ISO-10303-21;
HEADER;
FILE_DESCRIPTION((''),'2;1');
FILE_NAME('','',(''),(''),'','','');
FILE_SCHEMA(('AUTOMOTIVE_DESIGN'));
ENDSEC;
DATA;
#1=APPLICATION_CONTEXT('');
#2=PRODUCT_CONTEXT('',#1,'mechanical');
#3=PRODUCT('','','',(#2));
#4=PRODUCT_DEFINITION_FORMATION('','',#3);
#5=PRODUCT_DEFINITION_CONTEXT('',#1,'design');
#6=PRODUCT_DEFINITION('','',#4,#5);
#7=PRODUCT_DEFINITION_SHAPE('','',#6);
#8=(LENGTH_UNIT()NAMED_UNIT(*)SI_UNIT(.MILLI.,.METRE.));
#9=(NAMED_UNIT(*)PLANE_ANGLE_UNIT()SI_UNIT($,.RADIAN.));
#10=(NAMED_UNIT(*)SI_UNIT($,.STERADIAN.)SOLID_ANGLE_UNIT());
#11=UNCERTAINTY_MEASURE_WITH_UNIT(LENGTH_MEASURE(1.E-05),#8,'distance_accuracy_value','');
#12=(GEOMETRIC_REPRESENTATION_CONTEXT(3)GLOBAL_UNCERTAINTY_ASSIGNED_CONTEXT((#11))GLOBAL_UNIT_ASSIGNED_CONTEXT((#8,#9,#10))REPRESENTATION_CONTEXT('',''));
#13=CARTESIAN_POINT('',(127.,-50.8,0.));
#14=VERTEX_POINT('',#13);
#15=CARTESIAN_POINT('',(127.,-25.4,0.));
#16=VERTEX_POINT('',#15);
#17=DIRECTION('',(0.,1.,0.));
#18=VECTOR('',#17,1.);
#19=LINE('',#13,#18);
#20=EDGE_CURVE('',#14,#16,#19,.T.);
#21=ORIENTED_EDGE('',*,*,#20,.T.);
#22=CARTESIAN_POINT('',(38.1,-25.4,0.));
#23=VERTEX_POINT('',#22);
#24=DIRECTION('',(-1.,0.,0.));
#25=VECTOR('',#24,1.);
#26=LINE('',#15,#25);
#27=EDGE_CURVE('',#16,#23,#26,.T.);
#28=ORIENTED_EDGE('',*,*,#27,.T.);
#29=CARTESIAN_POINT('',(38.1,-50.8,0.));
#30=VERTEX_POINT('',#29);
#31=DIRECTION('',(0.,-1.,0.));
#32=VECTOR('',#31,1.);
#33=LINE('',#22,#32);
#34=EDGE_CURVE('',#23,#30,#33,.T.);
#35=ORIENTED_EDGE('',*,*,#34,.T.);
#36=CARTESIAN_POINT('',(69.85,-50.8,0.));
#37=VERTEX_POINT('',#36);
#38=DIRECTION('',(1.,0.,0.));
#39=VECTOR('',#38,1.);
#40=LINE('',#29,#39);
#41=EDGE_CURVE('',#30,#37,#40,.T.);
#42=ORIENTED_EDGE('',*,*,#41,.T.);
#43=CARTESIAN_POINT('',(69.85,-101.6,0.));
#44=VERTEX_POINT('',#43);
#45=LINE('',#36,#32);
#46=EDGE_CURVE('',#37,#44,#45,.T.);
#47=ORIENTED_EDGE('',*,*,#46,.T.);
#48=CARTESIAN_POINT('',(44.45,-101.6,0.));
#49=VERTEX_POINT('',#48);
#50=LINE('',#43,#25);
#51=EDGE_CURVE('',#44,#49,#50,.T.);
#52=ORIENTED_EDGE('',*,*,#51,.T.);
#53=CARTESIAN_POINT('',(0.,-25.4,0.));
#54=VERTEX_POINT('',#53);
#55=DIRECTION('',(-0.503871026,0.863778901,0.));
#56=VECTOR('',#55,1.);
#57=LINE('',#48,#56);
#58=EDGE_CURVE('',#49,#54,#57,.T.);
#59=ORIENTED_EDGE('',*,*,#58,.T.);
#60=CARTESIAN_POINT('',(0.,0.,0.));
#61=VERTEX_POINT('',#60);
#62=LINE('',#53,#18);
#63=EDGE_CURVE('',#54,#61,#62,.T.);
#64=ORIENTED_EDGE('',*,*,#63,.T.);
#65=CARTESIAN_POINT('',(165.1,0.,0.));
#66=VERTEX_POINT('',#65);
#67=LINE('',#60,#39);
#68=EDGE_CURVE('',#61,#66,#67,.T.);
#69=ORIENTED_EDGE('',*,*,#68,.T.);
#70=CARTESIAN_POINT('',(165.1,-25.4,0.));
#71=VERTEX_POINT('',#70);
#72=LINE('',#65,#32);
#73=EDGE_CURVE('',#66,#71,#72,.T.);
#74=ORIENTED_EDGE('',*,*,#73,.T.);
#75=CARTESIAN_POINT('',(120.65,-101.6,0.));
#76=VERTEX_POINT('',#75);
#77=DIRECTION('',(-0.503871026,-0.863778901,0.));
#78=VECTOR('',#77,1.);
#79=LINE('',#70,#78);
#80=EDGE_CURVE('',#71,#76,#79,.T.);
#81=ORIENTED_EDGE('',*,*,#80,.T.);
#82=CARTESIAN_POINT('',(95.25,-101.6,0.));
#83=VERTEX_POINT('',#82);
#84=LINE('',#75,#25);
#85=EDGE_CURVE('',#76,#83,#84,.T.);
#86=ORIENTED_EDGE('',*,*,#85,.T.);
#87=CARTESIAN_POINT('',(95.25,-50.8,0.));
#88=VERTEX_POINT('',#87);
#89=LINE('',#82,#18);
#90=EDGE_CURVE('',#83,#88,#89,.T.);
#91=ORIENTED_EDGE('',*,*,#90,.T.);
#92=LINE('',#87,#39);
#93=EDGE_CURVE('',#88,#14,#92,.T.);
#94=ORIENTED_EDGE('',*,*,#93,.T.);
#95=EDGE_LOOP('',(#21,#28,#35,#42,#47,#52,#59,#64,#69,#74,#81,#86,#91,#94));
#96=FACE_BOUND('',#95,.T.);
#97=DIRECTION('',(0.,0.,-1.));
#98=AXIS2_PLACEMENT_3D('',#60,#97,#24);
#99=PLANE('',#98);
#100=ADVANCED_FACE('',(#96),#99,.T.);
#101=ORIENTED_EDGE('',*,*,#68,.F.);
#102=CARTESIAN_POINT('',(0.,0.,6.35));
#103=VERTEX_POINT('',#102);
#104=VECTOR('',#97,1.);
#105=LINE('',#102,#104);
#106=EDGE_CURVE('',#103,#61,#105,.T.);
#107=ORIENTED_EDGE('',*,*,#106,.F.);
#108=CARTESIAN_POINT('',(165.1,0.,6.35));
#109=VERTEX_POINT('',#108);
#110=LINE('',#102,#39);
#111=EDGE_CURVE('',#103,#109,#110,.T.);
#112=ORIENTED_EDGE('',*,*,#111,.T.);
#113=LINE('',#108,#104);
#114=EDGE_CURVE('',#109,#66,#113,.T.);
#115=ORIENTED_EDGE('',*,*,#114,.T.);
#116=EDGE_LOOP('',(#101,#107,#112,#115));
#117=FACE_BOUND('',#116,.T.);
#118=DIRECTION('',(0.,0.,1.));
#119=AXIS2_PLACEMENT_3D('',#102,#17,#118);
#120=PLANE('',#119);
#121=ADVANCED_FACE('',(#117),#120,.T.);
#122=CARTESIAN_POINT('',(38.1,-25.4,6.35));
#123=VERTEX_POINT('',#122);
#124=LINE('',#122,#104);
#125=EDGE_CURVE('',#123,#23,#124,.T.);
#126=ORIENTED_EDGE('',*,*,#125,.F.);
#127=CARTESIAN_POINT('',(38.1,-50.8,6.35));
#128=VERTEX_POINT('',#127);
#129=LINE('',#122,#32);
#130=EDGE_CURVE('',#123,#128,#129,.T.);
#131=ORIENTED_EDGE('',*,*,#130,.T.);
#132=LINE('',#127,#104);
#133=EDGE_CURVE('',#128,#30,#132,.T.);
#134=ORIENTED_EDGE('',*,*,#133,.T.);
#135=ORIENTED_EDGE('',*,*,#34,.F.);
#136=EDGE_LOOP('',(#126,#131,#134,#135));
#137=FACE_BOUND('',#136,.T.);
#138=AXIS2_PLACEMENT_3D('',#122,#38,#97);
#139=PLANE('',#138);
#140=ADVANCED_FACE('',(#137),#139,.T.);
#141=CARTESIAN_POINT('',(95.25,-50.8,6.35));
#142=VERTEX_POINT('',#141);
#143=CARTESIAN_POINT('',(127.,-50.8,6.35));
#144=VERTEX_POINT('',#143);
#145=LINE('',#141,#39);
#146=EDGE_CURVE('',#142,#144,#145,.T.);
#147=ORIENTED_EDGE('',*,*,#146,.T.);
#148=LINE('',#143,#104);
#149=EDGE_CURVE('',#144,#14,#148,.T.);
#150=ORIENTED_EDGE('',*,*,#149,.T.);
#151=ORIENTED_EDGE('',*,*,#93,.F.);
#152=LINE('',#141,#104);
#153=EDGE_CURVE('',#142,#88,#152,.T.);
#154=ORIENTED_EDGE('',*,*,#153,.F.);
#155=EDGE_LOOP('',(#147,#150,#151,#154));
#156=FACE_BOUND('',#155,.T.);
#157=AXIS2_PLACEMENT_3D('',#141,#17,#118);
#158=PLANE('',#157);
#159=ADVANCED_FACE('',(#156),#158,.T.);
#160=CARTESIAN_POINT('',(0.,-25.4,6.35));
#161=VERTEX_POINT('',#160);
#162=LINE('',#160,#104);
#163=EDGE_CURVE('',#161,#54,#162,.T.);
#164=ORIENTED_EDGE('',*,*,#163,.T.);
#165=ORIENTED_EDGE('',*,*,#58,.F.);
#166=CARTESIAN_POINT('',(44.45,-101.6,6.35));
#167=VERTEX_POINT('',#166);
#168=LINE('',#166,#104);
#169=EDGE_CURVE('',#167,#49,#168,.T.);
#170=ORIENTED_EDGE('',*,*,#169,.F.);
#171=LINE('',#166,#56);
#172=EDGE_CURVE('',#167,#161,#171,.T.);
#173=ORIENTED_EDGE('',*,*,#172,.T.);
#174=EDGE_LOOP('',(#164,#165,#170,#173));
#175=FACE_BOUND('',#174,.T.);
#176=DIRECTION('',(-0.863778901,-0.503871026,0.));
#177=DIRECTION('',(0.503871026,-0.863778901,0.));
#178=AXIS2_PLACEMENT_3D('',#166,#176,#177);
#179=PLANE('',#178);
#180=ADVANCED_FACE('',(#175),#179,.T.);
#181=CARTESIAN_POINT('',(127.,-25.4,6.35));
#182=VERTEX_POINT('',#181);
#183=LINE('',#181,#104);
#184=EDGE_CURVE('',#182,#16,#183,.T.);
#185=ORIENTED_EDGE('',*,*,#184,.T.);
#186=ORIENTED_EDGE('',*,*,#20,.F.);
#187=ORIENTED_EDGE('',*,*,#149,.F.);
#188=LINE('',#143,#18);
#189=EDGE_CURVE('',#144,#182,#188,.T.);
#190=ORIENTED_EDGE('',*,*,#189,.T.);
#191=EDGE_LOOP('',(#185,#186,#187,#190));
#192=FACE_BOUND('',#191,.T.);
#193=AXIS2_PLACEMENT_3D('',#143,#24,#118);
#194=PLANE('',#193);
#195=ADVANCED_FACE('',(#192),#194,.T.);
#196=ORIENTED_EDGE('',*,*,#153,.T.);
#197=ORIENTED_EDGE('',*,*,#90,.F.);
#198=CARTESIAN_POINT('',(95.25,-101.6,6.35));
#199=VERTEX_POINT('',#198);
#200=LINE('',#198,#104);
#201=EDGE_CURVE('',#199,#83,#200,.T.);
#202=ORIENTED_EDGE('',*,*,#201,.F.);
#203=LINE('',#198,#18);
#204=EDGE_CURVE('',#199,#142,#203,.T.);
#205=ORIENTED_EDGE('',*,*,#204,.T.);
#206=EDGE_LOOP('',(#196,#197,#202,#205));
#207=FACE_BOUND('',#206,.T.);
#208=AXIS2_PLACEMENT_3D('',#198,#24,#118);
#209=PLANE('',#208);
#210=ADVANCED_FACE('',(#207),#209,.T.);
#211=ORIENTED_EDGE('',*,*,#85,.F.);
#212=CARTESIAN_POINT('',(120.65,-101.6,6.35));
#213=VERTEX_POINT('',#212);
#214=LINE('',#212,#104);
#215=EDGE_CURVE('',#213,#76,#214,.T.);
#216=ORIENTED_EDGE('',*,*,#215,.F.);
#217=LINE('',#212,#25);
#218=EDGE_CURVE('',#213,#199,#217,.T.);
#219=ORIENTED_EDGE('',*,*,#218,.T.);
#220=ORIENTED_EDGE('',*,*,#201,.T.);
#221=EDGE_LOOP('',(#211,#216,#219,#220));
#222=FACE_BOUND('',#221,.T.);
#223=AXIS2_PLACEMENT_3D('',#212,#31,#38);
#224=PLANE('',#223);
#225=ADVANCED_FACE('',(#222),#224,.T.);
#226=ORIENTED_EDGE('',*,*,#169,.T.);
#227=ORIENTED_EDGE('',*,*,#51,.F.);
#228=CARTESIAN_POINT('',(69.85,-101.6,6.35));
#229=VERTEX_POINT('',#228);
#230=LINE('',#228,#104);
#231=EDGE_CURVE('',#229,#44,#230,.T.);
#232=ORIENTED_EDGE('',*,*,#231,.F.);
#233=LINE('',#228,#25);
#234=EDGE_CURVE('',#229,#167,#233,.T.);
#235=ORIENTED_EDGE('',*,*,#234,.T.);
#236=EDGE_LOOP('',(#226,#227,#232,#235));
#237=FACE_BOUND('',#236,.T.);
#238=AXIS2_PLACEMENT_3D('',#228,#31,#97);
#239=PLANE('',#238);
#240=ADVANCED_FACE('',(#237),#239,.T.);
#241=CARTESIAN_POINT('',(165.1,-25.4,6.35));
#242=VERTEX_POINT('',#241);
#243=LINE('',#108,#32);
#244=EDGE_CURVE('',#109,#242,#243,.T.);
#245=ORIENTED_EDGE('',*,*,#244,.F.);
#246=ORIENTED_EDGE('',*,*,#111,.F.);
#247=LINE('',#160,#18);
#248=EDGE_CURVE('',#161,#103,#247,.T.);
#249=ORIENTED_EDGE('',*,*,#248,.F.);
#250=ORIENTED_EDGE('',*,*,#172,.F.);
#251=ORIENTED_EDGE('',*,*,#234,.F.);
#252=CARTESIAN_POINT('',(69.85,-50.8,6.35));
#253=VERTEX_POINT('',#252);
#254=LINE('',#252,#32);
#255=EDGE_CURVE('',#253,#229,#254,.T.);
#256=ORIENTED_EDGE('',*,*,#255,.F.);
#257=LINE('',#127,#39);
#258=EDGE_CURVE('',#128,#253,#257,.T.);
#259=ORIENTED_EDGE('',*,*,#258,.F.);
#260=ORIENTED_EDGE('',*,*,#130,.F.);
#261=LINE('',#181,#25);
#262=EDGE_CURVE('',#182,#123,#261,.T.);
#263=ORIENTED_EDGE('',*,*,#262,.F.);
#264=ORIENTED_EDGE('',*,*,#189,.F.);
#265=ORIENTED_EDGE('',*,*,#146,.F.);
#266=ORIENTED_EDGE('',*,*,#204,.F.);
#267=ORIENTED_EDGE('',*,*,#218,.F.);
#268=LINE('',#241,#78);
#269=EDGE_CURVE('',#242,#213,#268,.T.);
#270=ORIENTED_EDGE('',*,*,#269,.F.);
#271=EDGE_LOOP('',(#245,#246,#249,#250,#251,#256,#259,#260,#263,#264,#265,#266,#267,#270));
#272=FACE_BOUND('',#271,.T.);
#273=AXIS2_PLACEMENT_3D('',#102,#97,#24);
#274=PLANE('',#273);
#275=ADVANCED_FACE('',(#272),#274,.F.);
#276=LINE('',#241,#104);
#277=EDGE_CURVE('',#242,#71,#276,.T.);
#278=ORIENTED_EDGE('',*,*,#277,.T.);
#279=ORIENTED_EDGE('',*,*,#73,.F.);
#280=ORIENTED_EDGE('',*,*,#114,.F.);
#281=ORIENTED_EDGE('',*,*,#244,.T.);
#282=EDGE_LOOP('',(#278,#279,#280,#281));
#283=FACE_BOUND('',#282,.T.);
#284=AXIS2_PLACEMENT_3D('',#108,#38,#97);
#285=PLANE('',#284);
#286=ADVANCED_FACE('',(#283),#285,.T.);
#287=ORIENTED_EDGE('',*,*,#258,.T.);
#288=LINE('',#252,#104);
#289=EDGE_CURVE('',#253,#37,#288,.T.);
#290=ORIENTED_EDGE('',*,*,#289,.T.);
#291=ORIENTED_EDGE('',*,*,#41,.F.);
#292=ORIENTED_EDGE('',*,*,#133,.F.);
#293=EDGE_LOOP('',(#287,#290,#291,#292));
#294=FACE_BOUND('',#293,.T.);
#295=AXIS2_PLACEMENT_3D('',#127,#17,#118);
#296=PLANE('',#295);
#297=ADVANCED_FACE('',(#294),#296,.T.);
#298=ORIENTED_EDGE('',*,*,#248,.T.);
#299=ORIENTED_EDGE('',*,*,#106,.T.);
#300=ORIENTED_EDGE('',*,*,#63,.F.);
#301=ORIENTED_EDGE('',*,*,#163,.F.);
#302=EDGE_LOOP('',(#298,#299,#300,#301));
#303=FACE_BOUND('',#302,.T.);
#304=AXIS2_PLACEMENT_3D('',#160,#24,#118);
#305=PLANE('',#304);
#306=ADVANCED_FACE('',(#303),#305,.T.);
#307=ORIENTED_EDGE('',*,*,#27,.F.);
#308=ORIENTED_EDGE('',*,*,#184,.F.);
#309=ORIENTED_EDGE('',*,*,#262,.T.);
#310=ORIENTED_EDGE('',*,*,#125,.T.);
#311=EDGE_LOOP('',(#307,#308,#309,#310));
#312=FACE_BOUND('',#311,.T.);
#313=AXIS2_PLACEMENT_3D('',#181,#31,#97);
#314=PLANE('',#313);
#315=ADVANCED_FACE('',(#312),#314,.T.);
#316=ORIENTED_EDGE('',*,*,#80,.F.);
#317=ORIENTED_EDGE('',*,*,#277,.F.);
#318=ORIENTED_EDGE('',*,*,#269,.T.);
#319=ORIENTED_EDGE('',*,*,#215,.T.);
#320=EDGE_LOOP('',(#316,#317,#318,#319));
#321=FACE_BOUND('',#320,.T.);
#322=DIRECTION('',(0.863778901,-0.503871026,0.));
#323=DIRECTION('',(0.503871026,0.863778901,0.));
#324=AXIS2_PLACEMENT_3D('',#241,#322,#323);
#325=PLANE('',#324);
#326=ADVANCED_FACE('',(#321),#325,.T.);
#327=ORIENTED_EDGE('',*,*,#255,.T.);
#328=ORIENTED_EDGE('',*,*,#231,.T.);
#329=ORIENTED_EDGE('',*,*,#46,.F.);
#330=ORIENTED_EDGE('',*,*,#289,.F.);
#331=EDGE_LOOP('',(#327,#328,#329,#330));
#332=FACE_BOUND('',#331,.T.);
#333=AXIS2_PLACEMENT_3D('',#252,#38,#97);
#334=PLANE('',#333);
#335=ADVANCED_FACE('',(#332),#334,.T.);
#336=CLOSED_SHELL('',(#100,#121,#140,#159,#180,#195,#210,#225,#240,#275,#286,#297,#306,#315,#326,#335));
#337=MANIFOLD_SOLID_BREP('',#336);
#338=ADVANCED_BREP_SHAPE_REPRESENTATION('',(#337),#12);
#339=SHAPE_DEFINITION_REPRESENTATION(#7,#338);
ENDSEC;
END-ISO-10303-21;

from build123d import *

# Parameters (mm, degrees)
BOSS_EXTRUDE1_DEPTH = 6.35


with BuildPart() as part:
    # Sketch1 → Boss-Extrude1 (new body)
    with BuildSketch(Plane.XY):
        Polygon((0, 0), (165.1, 0), (165.1, -25.4), (120.65, -101.6), (95.25, -101.6), (95.25, -50.8), (127, -50.8), (127, -25.4), (38.1, -25.4), (38.1, -50.8), (69.85, -50.8), (69.85, -101.6), (44.45, -101.6), (0, -25.4), align=None)
    extrude(amount=BOSS_EXTRUDE1_DEPTH)


solid = part.part
